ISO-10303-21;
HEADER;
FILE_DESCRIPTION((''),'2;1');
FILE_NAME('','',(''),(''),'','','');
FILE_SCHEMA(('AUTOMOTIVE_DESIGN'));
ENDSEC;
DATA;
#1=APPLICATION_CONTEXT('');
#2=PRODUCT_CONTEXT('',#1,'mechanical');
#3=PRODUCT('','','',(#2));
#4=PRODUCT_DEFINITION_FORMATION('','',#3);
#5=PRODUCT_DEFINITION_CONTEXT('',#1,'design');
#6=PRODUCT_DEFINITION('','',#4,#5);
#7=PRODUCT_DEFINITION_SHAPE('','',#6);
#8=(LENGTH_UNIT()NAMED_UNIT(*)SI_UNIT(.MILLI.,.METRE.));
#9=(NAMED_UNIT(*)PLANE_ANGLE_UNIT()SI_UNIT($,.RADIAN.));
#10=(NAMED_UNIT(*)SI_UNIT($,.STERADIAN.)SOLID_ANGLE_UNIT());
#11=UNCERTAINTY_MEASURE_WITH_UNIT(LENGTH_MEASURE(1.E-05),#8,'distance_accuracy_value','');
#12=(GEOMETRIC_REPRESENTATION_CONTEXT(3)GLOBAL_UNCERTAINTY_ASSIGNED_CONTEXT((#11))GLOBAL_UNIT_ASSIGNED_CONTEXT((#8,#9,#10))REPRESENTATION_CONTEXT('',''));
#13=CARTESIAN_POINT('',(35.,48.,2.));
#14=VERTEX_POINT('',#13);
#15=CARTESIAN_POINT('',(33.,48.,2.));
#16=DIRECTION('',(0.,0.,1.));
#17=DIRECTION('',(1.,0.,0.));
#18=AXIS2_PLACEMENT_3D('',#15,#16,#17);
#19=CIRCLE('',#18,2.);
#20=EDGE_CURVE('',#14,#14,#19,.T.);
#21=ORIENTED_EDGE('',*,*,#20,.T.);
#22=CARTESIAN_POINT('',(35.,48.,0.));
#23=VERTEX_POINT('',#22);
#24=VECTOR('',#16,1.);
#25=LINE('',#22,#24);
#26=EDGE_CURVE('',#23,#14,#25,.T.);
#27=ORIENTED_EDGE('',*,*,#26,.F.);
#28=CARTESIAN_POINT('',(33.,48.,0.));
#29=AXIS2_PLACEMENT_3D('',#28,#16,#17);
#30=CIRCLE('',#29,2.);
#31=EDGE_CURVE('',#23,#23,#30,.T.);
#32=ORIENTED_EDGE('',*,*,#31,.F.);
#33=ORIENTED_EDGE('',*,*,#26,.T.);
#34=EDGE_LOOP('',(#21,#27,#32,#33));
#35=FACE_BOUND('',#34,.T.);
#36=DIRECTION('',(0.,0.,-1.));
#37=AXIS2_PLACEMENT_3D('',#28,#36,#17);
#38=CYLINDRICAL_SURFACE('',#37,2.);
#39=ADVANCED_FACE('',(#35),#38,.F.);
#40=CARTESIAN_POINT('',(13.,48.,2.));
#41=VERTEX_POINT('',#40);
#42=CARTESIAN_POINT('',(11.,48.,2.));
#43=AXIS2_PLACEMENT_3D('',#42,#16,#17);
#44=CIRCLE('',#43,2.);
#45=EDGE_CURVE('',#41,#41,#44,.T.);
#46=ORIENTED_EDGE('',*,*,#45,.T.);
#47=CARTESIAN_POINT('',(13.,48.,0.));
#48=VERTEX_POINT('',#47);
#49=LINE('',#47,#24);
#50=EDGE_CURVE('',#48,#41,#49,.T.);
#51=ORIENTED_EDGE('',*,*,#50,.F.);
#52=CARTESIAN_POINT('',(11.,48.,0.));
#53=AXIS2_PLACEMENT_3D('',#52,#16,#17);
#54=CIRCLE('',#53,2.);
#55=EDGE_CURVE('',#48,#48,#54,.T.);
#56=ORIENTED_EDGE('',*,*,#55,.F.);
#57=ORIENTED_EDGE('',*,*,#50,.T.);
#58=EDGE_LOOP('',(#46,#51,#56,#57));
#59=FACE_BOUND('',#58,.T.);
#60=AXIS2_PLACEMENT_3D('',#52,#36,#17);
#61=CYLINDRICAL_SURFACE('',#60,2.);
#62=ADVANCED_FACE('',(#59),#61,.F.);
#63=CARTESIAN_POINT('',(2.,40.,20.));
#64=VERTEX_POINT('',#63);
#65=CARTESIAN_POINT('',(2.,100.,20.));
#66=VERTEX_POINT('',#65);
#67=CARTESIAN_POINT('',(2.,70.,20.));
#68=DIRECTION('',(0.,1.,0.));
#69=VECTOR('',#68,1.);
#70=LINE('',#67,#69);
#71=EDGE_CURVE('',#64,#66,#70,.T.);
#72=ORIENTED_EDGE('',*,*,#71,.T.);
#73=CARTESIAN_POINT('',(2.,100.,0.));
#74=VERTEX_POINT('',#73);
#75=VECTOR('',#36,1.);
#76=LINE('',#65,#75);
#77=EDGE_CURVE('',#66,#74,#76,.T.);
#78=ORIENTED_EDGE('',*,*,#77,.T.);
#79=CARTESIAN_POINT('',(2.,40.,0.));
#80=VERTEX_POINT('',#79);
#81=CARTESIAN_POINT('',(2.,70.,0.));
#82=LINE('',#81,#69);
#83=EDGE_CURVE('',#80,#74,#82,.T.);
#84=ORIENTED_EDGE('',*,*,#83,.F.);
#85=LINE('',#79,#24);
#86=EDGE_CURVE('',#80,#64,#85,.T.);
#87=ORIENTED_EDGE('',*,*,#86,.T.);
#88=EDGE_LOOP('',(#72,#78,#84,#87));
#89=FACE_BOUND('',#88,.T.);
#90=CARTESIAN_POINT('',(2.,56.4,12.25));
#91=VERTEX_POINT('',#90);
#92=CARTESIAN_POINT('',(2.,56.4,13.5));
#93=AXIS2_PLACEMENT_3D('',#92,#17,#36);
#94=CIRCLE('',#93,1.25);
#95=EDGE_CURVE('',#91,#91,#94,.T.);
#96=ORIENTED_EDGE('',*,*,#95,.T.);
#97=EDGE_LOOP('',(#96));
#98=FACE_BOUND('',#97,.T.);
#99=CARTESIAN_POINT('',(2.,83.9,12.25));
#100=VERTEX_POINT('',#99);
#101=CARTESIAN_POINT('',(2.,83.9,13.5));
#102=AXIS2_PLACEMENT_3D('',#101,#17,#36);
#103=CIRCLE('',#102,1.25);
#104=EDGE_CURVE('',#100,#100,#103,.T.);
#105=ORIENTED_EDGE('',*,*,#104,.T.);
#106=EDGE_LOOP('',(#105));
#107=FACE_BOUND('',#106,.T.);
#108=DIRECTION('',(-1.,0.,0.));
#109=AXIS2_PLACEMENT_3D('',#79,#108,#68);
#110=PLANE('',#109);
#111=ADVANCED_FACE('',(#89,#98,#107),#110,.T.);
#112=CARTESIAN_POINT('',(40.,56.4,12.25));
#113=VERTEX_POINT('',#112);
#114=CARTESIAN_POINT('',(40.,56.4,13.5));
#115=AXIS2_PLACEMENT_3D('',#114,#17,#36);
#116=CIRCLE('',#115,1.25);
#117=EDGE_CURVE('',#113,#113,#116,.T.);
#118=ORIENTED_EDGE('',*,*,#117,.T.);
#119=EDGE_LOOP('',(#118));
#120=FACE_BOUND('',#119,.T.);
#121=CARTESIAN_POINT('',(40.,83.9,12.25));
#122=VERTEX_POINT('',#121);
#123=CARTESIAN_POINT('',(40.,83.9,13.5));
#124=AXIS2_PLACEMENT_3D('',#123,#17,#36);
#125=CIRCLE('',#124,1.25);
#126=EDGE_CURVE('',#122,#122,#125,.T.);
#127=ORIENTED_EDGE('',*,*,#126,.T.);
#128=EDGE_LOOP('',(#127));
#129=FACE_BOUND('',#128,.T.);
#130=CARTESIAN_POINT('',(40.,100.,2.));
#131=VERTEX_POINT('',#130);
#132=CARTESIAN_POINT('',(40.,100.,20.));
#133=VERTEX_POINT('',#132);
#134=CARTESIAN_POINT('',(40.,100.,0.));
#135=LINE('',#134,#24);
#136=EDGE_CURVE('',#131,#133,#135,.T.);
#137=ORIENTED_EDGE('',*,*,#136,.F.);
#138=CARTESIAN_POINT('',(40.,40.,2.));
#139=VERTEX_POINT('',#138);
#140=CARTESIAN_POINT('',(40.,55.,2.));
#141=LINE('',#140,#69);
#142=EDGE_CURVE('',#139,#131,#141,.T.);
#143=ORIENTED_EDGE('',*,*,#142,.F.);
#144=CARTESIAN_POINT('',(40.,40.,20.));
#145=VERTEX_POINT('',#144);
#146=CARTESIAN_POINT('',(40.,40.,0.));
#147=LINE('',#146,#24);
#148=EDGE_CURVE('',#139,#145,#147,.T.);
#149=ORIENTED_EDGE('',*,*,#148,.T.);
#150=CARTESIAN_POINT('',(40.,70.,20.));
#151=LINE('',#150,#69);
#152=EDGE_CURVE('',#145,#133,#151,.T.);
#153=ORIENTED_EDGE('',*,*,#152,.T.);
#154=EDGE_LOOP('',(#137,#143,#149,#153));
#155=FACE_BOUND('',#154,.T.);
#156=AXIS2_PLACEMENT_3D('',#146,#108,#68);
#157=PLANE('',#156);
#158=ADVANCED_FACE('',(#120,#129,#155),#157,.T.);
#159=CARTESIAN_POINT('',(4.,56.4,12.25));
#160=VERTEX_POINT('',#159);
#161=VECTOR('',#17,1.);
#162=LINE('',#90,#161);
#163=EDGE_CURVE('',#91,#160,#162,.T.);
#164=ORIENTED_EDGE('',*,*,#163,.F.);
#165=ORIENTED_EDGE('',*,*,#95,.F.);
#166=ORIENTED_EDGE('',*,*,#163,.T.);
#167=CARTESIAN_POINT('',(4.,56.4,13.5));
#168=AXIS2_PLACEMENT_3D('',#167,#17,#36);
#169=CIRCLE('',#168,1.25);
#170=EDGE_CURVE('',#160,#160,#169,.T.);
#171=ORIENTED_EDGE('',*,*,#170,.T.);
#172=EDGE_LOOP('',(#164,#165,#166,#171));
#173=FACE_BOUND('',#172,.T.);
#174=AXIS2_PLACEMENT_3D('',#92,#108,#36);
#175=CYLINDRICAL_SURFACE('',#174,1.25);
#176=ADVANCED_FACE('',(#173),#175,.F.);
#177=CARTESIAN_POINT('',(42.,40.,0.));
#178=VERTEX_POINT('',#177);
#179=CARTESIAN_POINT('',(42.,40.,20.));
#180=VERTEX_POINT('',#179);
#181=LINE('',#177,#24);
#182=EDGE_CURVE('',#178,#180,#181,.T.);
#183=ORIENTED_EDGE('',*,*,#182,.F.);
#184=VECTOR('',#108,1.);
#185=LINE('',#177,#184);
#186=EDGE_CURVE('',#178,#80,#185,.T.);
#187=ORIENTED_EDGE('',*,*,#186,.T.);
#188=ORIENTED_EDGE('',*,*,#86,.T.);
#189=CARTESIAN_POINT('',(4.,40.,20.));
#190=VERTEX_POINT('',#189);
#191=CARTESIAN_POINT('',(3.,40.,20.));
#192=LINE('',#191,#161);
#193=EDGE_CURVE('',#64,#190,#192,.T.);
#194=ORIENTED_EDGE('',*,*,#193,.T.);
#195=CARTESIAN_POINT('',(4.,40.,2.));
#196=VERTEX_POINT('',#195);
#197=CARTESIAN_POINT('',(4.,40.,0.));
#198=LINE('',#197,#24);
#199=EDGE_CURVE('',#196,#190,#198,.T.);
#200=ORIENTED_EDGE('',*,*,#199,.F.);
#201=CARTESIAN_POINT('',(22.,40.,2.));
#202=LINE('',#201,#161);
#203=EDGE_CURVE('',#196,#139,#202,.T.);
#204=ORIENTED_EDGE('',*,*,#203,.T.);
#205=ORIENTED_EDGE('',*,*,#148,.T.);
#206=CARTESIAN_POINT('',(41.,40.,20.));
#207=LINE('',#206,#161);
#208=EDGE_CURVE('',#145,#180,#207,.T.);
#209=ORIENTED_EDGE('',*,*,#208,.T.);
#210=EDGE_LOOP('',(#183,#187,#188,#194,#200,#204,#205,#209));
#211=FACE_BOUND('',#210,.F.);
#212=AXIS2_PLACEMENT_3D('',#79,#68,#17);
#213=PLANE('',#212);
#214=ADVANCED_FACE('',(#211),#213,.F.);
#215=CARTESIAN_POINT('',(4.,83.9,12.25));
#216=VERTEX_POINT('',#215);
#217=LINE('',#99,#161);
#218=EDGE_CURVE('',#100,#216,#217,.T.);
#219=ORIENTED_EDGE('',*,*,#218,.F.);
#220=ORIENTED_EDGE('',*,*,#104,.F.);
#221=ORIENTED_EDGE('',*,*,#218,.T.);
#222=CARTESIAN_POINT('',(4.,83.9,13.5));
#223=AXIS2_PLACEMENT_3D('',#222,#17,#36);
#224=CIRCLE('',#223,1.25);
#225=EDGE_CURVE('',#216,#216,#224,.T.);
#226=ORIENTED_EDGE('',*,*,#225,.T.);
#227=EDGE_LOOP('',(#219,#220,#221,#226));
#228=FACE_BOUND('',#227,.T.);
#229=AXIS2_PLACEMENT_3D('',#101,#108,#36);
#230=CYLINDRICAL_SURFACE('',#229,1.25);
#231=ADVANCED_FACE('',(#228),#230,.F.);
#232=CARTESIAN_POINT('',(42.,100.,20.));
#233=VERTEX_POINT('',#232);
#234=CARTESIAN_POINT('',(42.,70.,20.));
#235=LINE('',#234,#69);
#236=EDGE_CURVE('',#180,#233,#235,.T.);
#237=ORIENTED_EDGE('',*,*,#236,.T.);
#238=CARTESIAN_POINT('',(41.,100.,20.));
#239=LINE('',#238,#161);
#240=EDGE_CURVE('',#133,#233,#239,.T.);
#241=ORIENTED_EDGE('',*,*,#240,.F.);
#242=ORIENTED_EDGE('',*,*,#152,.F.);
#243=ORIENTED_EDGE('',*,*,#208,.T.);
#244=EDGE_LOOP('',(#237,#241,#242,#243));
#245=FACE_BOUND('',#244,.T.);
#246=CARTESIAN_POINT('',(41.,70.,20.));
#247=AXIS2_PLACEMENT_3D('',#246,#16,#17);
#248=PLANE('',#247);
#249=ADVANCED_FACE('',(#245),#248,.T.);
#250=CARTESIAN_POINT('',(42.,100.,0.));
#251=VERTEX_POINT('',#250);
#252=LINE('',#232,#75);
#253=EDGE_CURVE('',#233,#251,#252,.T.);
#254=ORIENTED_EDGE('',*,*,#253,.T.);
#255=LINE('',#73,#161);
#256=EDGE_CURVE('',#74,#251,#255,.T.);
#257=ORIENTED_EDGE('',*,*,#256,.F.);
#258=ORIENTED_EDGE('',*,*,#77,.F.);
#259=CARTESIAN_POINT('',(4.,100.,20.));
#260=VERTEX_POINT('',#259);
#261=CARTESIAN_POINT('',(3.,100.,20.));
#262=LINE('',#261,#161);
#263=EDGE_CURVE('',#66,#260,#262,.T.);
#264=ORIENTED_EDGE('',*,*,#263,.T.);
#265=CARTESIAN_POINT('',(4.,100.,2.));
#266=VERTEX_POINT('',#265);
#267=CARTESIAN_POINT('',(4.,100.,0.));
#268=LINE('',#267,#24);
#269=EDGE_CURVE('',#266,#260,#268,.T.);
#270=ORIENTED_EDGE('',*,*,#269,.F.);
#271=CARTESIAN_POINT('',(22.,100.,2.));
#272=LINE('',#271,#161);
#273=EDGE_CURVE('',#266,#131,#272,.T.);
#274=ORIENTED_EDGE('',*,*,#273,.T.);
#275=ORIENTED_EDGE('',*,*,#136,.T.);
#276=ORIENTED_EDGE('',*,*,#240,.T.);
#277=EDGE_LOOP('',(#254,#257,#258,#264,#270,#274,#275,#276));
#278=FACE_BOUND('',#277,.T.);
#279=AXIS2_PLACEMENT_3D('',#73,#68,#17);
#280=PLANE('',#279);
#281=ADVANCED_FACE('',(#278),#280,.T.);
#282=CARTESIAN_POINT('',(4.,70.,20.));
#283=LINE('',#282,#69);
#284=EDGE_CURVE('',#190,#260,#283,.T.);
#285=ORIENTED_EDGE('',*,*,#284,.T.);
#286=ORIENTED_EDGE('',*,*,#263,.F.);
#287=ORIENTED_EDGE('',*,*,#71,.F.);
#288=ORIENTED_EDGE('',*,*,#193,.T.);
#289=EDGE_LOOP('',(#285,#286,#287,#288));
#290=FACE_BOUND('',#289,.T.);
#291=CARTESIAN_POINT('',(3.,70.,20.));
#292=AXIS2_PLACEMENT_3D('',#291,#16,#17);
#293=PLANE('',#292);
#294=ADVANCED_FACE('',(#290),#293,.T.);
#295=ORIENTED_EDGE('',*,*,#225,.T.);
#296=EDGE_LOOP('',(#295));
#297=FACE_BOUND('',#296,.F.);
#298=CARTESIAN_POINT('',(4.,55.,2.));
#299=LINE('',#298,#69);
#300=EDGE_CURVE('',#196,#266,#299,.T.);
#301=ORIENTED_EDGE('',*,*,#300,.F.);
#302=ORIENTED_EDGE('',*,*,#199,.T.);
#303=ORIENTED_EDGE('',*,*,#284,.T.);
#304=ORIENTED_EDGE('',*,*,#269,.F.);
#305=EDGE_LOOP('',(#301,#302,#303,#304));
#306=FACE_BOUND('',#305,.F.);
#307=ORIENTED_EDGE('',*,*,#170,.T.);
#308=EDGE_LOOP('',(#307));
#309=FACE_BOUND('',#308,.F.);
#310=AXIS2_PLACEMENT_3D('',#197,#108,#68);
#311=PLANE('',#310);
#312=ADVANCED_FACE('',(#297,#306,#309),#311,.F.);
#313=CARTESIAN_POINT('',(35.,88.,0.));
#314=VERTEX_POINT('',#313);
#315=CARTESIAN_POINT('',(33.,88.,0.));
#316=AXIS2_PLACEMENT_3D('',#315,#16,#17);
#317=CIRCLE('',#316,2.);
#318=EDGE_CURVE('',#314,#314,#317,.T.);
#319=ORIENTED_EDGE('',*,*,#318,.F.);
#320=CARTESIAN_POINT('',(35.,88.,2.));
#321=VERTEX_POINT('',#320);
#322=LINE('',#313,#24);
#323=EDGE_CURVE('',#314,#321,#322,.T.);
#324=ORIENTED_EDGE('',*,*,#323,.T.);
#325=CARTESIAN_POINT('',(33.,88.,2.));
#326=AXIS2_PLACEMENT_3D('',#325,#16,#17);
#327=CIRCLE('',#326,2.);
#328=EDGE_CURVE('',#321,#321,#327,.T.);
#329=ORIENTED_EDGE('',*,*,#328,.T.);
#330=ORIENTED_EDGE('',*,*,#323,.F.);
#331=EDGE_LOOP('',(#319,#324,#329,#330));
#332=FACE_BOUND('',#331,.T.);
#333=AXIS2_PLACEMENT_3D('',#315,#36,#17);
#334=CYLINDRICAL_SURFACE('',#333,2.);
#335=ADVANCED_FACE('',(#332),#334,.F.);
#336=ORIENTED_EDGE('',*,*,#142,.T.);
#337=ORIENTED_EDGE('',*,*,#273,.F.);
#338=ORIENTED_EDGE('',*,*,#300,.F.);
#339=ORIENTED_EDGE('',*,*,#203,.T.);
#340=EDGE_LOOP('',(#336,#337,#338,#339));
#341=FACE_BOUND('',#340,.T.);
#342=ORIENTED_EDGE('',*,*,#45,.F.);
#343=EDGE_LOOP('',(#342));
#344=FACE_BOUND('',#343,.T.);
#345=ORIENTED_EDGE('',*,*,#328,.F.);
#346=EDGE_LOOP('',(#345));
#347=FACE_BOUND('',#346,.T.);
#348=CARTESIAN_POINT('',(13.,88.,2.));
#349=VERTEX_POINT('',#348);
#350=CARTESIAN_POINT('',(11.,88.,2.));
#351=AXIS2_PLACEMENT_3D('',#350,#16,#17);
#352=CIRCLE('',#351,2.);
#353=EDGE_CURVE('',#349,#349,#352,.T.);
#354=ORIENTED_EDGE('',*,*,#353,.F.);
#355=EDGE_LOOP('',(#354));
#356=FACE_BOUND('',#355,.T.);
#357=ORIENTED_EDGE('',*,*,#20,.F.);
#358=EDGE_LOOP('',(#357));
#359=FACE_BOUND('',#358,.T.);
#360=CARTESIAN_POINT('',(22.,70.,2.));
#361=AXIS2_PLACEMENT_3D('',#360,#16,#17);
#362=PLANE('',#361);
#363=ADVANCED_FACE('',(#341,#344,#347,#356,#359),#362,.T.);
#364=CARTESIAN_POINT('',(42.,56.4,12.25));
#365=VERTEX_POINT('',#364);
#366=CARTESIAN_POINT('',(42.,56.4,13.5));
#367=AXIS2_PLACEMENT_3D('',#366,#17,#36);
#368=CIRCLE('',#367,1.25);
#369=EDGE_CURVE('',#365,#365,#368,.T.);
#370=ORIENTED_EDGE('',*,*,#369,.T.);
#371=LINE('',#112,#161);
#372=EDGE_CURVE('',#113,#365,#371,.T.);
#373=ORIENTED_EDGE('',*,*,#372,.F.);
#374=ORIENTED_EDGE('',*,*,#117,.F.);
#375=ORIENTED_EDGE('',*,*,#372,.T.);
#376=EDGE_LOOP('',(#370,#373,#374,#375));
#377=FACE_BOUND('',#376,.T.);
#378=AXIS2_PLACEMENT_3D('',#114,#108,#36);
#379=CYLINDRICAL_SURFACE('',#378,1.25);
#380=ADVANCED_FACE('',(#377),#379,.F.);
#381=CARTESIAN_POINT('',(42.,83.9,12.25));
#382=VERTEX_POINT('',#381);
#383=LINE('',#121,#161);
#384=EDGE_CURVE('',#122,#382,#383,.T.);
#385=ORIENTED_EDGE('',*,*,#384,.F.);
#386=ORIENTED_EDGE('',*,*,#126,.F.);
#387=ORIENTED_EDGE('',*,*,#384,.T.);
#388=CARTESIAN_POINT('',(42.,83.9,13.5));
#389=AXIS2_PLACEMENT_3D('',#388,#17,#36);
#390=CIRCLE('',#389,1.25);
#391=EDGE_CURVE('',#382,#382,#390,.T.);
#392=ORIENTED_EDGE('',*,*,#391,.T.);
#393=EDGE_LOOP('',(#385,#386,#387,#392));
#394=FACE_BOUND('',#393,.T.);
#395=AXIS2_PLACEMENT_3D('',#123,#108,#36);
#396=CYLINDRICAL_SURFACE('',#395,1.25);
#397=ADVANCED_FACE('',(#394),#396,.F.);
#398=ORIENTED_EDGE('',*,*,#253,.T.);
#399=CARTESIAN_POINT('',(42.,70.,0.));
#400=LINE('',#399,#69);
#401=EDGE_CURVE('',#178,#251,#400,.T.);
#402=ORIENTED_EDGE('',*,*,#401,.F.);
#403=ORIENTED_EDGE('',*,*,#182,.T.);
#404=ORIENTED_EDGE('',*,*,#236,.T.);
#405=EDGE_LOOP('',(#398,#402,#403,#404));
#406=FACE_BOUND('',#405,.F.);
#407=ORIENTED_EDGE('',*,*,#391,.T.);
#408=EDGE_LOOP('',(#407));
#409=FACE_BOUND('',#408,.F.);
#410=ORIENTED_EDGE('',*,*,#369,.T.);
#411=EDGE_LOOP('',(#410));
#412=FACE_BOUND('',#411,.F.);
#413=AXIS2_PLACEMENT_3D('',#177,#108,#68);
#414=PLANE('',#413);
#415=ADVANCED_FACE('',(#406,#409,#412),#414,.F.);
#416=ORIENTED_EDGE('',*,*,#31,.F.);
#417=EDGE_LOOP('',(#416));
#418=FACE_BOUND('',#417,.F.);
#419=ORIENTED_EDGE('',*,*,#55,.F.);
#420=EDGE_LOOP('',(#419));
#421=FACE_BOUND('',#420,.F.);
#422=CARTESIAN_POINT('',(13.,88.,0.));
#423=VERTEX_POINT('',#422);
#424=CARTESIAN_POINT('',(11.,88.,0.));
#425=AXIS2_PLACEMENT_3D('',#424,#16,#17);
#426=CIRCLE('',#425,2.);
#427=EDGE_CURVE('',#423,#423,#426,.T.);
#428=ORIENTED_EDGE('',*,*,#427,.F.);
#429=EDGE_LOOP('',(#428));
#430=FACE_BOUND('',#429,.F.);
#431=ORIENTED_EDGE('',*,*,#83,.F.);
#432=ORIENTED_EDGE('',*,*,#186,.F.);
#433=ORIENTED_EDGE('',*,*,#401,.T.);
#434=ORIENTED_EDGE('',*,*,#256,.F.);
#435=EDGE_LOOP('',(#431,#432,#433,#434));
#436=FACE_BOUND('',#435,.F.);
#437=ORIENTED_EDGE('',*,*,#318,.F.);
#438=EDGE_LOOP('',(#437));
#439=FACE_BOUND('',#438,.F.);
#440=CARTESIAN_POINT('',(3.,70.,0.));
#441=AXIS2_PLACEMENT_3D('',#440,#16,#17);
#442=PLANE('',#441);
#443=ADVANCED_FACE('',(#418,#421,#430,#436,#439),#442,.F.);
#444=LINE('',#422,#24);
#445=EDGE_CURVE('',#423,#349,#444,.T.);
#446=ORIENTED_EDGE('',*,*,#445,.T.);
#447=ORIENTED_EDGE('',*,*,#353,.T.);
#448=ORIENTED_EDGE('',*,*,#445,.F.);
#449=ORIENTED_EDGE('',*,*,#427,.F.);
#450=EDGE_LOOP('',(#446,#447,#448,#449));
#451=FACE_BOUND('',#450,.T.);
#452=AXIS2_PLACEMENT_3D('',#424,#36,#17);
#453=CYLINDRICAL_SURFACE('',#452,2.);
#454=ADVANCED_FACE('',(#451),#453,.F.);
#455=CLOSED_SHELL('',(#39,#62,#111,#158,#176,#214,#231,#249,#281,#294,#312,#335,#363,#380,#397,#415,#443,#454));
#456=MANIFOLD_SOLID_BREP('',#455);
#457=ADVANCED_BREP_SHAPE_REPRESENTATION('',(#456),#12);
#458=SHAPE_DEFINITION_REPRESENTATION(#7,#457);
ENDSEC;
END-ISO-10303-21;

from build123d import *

# Parameters (mm, degrees)
CYLINDER_R           = 1.25
CYLINDER_DEPTH       = 2
CYLINDER_PITCH_ANGLE = 90
ARRAY_X_COUNT        = 2
ARRAY_X_PITCH        = 38
ARRAY_Y_COUNT        = 2
ARRAY_Y_PITCH        = 27.5
CYLINDER001_R        = 2
CYLINDER001_DEPTH    = 2
ARRAY001_X_COUNT     = 2
ARRAY001_X_PITCH     = 22
ARRAY001_Y_COUNT     = 2
ARRAY001_Y_PITCH     = 40
BOX001_W             = 2
BOX001_H             = 60
BOX001_DEPTH         = 20
BOX_W                = 40
BOX_H                = 60
BOX_DEPTH            = 2
BOX002_W             = 2
BOX002_H             = 60
BOX002_DEPTH         = 20


with BuildPart() as array:
    # Cylinder → Cylinder (new body)
    with BuildSketch(Plane.XY):
        Circle(CYLINDER_R)
    extrude(amount=CYLINDER_DEPTH)


with BuildPart() as array_1:
    # Cylinder pitch: moved
    add(array.part.rotate(Axis((0, 0, 0), (0, 1, 0)), CYLINDER_PITCH_ANGLE))


with BuildPart() as array_2:
    # Cylinder placement: moved
    add(array_1.part.moved(Location((0, 16.4, 13.5))))

    # Array X: Array ×2


with BuildPart() as array_3:
    add(array_2.part)
    with Locations(*[(i * ARRAY_X_PITCH, 0, 0) for i in range(1, ARRAY_X_COUNT)]):
        add(array_2.part)

    # Array Y: Array ×2


with BuildPart() as array_4:
    add(array_3.part)
    with Locations(*[(0, i * ARRAY_Y_PITCH, 0) for i in range(1, ARRAY_Y_COUNT)]):
        add(array_3.part)


with BuildPart() as array_5:
    # Array placement: moved
    add(array_4.part.moved(Location((2, 40, 0))))


with BuildPart() as array001:
    # Cylinder001 → Cylinder001 (new body)
    with BuildSketch(Plane(origin=(11, 48, 0), x_dir=(1, 0, 0), z_dir=(0, 0, 1))):
        Circle(CYLINDER001_R)
    extrude(amount=CYLINDER001_DEPTH)

    # Array001 X: Array001 ×2


with BuildPart() as array001_1:
    add(array001.part)
    with Locations(*[(i * ARRAY001_X_PITCH, 0, 0) for i in range(1, ARRAY001_X_COUNT)]):
        add(array001.part)

    # Array001 Y: Array001 ×2


with BuildPart() as array001_2:
    add(array001_1.part)
    with Locations(*[(0, i * ARRAY001_Y_PITCH, 0) for i in range(1, ARRAY001_Y_COUNT)]):
        add(array001_1.part)


with BuildPart() as cubo001:
    # Box001 → Box001 (new body)
    with BuildSketch(Plane.XY):
        with Locations((1, 30)):
            Rectangle(BOX001_W, BOX001_H)
    extrude(amount=BOX001_DEPTH)


with BuildPart() as cubo:
    # Box → Box (new body)
    with BuildSketch(Plane.XY):
        with Locations((20, 30)):
            Rectangle(BOX_W, BOX_H)
    extrude(amount=BOX_DEPTH)


with BuildPart() as cut002:
    # Box002 → Box002 (new body)
    with BuildSketch(Plane(origin=(38, 0, 0), x_dir=(1, 0, 0), z_dir=(0, 0, 1))):
        with Locations((1, 30)):
            Rectangle(BOX002_W, BOX002_H)
    extrude(amount=BOX002_DEPTH)

    # Fusion: union Cubo001, Cubo
    add(cubo001.part)
    add(cubo.part)

    # Cut: cut Array
    add(array_5.part, mode=Mode.SUBTRACT)


with BuildPart() as cut002_1:
    # Cut placement: moved
    add(cut002.part.moved(Location((2, 40, 0))))

    # Cut001: cut Array001
    add(array001_2.part, mode=Mode.SUBTRACT)

    # Cut002: cut Array
    add(array_5.part, mode=Mode.SUBTRACT)


solid = cut002_1.part
